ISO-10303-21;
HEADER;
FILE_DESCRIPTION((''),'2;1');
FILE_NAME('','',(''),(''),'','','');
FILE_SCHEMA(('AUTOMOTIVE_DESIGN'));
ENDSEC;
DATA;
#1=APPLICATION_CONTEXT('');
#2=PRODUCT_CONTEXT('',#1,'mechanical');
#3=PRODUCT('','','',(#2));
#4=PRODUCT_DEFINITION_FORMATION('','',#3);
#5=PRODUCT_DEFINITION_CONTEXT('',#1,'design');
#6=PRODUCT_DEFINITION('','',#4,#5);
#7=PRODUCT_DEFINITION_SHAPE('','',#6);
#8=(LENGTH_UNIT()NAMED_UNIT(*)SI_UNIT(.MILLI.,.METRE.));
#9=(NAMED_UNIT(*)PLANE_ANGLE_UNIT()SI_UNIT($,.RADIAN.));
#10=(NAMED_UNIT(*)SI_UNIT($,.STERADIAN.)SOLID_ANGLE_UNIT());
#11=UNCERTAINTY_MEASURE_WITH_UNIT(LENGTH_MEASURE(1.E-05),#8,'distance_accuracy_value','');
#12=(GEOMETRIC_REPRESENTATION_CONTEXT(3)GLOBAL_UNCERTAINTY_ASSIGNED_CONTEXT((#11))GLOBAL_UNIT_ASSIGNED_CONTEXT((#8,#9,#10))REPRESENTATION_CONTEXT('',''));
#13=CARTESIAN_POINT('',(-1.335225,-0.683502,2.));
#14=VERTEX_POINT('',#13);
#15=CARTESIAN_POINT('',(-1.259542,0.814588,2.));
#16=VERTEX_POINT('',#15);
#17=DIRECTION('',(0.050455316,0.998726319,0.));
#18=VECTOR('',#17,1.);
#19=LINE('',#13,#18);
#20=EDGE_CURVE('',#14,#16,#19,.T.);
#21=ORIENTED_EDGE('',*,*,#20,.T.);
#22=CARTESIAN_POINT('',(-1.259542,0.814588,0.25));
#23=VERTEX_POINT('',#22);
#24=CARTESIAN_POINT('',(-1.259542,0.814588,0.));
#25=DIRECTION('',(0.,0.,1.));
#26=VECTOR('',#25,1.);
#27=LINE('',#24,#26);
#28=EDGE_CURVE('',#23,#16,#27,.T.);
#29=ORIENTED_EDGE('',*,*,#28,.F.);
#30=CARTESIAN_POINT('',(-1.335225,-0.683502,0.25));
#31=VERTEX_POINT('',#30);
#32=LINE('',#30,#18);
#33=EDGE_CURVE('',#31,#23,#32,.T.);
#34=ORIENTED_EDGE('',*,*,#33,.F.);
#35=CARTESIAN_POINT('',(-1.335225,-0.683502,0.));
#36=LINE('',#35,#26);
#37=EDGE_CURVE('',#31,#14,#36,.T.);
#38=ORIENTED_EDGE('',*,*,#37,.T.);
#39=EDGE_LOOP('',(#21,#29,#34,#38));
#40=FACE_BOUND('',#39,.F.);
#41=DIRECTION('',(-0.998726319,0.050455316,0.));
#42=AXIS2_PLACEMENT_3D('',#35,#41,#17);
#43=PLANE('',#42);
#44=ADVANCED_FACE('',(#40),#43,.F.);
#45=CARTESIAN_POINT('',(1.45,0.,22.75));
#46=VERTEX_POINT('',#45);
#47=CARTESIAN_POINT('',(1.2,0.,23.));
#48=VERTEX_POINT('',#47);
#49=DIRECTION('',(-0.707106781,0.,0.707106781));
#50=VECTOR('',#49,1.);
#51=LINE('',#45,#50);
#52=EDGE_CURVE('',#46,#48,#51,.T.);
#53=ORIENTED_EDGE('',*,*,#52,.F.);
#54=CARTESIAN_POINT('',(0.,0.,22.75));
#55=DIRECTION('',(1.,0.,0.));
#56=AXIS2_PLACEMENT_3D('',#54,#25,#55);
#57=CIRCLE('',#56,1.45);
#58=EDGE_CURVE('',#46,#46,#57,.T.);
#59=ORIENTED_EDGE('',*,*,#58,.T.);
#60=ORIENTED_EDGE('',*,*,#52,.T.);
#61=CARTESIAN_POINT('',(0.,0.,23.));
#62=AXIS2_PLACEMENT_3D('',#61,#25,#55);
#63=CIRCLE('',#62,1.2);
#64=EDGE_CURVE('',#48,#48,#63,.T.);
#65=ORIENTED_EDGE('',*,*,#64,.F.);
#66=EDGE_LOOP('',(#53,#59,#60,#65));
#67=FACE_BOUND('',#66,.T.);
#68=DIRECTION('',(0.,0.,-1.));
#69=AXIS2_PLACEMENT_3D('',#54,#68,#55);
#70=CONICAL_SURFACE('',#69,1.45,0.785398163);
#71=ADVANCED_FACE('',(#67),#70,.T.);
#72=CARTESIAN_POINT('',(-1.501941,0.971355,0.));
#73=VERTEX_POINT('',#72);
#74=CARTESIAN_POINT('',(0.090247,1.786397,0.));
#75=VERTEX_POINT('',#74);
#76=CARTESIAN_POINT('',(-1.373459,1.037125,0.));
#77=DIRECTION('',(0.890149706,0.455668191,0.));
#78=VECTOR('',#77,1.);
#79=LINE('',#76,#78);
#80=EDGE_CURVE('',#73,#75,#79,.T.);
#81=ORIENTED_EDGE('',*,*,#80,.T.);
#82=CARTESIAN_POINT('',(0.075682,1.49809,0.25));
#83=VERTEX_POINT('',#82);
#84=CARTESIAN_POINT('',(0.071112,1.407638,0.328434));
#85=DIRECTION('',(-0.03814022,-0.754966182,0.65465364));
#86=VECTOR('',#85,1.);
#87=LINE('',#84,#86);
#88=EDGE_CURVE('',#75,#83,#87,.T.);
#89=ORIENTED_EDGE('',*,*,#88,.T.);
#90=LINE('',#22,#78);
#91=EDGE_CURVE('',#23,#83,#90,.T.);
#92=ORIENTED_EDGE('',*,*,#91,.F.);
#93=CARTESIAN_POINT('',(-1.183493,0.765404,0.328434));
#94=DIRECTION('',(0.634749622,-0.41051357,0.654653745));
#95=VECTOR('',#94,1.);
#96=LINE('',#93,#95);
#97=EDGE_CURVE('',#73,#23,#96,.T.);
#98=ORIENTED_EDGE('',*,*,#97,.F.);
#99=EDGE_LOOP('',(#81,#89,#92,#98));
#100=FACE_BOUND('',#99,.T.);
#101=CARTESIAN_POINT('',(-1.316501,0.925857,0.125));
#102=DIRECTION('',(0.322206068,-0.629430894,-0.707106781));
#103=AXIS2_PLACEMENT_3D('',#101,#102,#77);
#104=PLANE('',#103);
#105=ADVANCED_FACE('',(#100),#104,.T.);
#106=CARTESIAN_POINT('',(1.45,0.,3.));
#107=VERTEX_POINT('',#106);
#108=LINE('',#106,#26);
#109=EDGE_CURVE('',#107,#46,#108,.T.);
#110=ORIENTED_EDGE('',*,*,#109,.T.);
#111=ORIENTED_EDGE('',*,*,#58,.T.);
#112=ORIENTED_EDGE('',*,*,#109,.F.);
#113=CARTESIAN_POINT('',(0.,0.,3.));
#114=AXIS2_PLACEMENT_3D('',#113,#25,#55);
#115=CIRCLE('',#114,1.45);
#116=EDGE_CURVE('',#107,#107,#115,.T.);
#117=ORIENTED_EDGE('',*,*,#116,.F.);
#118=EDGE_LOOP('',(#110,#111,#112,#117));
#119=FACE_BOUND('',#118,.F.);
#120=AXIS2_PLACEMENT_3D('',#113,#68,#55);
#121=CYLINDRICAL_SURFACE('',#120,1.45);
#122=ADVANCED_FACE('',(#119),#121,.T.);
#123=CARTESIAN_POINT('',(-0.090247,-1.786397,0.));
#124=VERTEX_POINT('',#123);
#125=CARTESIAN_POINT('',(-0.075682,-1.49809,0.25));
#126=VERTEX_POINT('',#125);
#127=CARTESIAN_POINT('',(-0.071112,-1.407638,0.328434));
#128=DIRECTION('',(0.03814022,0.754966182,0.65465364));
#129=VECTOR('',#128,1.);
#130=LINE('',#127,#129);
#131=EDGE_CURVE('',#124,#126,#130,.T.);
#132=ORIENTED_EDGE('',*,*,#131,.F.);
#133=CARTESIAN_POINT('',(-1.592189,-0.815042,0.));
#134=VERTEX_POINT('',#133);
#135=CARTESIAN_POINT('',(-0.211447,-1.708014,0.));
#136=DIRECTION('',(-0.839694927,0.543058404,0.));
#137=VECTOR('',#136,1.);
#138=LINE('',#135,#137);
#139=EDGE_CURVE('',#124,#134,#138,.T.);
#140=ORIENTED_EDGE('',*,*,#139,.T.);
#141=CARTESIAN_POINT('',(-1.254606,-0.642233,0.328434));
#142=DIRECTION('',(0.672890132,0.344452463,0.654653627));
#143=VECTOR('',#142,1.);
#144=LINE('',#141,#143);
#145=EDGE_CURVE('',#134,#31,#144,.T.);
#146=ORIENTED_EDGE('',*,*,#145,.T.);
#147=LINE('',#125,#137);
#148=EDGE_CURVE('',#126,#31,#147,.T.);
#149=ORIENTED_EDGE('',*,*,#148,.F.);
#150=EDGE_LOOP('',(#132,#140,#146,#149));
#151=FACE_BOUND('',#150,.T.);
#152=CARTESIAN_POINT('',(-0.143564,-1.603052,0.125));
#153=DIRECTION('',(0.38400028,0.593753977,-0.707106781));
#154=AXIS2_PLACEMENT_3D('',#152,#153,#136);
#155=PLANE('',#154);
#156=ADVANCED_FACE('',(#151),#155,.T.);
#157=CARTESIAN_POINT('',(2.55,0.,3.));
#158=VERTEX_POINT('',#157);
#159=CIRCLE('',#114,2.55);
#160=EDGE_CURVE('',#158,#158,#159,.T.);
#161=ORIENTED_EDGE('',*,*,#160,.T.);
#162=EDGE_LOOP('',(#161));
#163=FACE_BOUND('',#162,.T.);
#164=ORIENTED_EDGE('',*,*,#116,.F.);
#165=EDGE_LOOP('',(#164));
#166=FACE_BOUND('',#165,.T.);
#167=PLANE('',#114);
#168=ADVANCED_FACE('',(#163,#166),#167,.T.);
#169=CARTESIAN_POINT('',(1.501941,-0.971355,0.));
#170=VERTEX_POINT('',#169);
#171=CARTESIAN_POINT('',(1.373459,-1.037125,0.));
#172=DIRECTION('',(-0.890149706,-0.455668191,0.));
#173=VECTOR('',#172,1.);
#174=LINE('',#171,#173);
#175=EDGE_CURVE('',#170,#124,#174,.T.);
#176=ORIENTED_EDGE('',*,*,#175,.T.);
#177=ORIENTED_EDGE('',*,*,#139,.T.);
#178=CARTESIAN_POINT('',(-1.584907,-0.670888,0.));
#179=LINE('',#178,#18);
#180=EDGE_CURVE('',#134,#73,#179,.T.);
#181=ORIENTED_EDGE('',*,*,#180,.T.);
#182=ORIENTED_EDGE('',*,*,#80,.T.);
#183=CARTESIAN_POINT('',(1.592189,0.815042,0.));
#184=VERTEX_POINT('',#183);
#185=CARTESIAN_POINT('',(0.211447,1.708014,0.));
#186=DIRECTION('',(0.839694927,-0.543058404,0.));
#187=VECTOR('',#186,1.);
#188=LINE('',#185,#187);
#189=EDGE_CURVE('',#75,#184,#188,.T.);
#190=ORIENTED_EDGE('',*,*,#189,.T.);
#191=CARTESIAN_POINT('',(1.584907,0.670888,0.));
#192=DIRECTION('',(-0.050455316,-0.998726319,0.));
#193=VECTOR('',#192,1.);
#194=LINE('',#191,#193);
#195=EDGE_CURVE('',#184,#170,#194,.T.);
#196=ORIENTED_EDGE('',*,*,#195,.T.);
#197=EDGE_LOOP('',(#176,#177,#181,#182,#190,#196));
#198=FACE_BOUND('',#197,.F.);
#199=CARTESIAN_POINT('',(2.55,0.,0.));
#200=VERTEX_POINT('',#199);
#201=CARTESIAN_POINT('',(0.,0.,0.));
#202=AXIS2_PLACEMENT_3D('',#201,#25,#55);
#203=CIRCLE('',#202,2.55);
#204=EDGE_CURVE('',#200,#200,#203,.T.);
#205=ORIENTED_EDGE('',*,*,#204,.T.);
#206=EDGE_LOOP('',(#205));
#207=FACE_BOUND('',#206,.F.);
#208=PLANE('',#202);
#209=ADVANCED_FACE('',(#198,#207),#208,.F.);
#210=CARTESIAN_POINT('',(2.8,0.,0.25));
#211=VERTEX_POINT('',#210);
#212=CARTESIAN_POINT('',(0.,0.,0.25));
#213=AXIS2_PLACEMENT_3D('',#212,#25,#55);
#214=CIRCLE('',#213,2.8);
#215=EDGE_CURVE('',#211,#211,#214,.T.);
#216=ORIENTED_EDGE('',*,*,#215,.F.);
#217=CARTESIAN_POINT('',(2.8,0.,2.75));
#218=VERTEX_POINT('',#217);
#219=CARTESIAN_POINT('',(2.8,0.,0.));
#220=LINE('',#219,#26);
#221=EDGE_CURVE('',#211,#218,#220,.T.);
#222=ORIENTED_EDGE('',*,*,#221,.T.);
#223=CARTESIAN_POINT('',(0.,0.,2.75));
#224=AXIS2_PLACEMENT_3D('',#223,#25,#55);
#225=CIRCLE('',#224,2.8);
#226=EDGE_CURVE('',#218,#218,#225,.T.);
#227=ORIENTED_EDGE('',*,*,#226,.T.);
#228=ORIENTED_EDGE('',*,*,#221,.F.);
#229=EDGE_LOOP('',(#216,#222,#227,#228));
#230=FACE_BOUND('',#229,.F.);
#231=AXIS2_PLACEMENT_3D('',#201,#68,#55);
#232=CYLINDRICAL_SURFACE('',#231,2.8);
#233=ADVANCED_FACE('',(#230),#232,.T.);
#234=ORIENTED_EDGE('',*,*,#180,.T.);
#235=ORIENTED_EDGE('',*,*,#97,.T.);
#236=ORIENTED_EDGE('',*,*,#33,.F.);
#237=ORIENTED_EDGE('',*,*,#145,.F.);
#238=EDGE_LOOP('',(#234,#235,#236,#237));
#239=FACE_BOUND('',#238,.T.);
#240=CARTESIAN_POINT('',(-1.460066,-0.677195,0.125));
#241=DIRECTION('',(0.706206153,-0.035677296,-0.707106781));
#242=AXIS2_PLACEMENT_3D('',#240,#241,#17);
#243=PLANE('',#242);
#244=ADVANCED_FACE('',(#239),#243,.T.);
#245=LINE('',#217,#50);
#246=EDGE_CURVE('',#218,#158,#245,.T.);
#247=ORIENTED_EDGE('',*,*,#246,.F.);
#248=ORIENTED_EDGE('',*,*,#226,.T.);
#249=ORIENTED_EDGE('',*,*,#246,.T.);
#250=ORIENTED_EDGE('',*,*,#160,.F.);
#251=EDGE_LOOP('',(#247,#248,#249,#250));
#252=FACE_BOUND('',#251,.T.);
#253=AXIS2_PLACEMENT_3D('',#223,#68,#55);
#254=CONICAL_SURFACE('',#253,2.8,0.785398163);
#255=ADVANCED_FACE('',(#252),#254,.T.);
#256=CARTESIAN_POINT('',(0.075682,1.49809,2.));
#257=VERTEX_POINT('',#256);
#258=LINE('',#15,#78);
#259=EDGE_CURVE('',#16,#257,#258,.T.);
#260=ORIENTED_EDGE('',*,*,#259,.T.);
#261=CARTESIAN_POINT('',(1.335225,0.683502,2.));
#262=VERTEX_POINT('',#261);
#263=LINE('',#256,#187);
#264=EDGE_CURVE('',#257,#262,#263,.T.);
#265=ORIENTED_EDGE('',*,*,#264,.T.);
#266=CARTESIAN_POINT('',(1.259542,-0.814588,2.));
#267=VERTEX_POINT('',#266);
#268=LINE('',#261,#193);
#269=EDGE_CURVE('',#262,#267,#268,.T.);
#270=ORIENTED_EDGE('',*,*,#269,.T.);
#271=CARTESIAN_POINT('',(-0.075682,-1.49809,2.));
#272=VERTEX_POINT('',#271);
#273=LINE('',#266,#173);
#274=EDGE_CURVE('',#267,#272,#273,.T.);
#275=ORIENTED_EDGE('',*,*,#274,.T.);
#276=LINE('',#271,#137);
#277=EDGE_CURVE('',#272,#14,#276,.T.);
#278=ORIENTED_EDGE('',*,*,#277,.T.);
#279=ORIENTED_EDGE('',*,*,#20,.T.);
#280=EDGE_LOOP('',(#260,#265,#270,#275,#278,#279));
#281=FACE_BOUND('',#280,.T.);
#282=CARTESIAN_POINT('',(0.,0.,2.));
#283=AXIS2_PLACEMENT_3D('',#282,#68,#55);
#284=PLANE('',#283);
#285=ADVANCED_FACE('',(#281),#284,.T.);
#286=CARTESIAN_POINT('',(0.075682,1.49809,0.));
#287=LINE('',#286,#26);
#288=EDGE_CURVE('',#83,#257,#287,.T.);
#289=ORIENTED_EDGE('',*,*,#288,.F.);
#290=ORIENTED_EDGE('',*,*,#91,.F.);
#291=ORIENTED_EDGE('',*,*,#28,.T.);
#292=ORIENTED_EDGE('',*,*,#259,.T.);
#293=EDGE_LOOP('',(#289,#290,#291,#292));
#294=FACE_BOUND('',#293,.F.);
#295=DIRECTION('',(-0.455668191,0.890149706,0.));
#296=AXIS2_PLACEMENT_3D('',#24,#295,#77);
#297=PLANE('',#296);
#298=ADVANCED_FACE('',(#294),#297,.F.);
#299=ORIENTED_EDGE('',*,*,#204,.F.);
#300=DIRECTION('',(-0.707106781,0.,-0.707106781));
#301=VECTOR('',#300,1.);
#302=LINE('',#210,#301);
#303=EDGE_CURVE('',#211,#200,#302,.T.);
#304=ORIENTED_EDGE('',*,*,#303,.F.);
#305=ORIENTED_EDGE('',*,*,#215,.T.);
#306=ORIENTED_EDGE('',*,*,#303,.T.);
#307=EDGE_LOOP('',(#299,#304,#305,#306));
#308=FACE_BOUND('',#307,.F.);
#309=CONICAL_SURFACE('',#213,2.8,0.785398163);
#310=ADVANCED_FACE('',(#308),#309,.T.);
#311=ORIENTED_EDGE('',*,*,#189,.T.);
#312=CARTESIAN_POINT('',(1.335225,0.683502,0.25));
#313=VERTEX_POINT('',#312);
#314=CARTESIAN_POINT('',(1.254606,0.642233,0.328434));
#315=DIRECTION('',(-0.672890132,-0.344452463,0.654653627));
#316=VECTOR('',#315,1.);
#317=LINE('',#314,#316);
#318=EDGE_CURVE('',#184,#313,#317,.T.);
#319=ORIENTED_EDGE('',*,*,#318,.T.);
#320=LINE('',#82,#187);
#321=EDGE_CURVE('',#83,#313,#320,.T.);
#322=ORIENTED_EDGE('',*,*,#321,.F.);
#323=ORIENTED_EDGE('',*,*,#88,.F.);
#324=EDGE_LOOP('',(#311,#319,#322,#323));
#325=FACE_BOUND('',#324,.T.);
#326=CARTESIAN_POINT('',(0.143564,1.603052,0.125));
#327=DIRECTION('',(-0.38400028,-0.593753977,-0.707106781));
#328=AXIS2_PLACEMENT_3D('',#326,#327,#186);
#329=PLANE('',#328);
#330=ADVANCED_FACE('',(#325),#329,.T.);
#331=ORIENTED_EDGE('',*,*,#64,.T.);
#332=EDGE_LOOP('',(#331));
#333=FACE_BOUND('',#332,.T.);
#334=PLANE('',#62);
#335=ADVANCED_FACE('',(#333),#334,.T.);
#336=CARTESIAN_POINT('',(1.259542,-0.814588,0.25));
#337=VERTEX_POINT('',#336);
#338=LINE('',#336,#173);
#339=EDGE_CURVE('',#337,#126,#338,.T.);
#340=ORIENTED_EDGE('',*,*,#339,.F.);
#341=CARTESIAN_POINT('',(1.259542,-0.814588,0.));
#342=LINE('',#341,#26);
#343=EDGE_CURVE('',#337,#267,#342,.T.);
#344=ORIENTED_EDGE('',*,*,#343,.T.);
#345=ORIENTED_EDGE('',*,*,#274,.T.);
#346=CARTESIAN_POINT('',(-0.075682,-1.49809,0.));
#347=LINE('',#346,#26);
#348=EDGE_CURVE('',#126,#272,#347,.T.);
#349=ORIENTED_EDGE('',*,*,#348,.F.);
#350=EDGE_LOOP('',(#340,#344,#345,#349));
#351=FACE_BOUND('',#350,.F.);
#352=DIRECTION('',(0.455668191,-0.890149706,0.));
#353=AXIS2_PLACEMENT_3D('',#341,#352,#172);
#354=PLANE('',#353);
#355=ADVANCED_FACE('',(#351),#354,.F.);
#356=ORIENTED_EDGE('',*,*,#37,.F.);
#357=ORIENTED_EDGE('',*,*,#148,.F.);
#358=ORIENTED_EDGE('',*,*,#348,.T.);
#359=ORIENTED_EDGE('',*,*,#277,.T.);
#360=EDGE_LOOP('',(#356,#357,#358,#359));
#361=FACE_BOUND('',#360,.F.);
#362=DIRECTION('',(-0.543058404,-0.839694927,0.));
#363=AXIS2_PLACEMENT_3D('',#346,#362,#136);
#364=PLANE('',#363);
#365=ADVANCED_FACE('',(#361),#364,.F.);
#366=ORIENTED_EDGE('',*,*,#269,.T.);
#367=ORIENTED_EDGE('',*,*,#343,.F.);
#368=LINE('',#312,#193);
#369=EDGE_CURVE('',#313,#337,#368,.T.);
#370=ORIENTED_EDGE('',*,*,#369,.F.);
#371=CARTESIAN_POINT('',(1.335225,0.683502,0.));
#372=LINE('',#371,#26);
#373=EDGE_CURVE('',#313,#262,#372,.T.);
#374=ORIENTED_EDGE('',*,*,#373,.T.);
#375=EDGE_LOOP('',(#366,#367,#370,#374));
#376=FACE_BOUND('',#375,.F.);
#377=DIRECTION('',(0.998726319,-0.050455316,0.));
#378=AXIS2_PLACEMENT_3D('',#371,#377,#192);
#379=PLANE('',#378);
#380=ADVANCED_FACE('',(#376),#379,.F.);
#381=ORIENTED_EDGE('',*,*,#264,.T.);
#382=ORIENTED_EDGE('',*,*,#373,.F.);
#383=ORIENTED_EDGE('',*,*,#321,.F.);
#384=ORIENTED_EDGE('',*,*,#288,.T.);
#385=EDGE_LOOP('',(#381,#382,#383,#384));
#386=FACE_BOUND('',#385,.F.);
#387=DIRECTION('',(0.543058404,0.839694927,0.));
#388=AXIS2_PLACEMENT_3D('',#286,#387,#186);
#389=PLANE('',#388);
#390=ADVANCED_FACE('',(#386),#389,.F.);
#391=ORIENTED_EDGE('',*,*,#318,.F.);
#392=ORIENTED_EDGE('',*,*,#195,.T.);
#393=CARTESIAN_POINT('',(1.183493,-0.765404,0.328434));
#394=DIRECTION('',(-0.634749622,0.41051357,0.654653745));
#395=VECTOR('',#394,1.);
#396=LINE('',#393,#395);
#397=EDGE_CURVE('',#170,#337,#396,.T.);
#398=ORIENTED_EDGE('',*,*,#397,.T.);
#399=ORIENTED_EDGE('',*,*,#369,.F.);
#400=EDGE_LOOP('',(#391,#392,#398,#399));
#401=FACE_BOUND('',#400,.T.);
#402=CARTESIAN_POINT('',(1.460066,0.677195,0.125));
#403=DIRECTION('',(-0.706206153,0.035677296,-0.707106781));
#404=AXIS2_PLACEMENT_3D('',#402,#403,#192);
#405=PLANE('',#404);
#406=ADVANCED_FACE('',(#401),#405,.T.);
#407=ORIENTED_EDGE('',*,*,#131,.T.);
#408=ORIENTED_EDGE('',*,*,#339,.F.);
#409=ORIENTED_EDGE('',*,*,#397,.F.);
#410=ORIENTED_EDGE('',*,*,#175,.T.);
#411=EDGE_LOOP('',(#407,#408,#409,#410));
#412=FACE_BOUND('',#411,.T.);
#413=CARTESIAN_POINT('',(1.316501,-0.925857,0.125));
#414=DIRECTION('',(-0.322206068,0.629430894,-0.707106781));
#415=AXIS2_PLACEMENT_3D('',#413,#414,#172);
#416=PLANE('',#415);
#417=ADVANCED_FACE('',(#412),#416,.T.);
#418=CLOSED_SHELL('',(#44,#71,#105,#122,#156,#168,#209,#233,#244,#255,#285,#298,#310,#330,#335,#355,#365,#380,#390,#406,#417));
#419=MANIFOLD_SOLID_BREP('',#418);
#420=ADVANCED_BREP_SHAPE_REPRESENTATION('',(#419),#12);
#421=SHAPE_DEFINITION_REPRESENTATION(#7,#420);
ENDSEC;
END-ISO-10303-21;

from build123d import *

# Parameters (mm, degrees)
SKETCH_R     = 2.8
PAD_DEPTH    = 3
SKETCH001_R  = 1.45
PAD001_DEPTH = 20
POCKET_DEPTH = 2
CHAMFER_SIZE = 0.25


with BuildPart() as part:
    # Sketch → Pad (new body)
    with BuildSketch(Plane.XY):
        Circle(SKETCH_R)
    extrude(amount=PAD_DEPTH)

    # Sketch001 (on Face3 of Pad) → Pad001 (join)
    with BuildSketch(Plane.XY.offset(3)):
        Circle(SKETCH001_R)
    extrude(amount=PAD001_DEPTH)

    # Sketch002 (on Face2 of Pad001) → Pocket (cut)
    with BuildSketch(Plane(origin=(0, 0, 0), x_dir=(1, 0, 0), z_dir=(0, 0, -1))):
        Polygon((1.259542, 0.814588), (-0.075682, 1.49809), (-1.335225, 0.683502), (-1.259542, -0.814588), (0.075682, -1.49809), (1.335225, -0.683502), align=None)
    extrude(amount=-POCKET_DEPTH, mode=Mode.SUBTRACT)

    # Chamfer
    chamfer_edges = [part.edges().sort_by_distance(p)[0] for p in [
        (-2.8, 0, 3),
        (-2.8, 0, 0),
        (1.297384, -0.065543, 0),
        (0.705454, 1.090796, 0),
        (-0.59193, 1.156339, 0),
        (-1.297384, 0.065543, 0),
        (-0.705454, -1.090796, 0),
        (0.59193, -1.156339, 0),
        (-1.45, 0, 23),
    ]]
    chamfer(chamfer_edges, length=CHAMFER_SIZE)


solid = part.part
